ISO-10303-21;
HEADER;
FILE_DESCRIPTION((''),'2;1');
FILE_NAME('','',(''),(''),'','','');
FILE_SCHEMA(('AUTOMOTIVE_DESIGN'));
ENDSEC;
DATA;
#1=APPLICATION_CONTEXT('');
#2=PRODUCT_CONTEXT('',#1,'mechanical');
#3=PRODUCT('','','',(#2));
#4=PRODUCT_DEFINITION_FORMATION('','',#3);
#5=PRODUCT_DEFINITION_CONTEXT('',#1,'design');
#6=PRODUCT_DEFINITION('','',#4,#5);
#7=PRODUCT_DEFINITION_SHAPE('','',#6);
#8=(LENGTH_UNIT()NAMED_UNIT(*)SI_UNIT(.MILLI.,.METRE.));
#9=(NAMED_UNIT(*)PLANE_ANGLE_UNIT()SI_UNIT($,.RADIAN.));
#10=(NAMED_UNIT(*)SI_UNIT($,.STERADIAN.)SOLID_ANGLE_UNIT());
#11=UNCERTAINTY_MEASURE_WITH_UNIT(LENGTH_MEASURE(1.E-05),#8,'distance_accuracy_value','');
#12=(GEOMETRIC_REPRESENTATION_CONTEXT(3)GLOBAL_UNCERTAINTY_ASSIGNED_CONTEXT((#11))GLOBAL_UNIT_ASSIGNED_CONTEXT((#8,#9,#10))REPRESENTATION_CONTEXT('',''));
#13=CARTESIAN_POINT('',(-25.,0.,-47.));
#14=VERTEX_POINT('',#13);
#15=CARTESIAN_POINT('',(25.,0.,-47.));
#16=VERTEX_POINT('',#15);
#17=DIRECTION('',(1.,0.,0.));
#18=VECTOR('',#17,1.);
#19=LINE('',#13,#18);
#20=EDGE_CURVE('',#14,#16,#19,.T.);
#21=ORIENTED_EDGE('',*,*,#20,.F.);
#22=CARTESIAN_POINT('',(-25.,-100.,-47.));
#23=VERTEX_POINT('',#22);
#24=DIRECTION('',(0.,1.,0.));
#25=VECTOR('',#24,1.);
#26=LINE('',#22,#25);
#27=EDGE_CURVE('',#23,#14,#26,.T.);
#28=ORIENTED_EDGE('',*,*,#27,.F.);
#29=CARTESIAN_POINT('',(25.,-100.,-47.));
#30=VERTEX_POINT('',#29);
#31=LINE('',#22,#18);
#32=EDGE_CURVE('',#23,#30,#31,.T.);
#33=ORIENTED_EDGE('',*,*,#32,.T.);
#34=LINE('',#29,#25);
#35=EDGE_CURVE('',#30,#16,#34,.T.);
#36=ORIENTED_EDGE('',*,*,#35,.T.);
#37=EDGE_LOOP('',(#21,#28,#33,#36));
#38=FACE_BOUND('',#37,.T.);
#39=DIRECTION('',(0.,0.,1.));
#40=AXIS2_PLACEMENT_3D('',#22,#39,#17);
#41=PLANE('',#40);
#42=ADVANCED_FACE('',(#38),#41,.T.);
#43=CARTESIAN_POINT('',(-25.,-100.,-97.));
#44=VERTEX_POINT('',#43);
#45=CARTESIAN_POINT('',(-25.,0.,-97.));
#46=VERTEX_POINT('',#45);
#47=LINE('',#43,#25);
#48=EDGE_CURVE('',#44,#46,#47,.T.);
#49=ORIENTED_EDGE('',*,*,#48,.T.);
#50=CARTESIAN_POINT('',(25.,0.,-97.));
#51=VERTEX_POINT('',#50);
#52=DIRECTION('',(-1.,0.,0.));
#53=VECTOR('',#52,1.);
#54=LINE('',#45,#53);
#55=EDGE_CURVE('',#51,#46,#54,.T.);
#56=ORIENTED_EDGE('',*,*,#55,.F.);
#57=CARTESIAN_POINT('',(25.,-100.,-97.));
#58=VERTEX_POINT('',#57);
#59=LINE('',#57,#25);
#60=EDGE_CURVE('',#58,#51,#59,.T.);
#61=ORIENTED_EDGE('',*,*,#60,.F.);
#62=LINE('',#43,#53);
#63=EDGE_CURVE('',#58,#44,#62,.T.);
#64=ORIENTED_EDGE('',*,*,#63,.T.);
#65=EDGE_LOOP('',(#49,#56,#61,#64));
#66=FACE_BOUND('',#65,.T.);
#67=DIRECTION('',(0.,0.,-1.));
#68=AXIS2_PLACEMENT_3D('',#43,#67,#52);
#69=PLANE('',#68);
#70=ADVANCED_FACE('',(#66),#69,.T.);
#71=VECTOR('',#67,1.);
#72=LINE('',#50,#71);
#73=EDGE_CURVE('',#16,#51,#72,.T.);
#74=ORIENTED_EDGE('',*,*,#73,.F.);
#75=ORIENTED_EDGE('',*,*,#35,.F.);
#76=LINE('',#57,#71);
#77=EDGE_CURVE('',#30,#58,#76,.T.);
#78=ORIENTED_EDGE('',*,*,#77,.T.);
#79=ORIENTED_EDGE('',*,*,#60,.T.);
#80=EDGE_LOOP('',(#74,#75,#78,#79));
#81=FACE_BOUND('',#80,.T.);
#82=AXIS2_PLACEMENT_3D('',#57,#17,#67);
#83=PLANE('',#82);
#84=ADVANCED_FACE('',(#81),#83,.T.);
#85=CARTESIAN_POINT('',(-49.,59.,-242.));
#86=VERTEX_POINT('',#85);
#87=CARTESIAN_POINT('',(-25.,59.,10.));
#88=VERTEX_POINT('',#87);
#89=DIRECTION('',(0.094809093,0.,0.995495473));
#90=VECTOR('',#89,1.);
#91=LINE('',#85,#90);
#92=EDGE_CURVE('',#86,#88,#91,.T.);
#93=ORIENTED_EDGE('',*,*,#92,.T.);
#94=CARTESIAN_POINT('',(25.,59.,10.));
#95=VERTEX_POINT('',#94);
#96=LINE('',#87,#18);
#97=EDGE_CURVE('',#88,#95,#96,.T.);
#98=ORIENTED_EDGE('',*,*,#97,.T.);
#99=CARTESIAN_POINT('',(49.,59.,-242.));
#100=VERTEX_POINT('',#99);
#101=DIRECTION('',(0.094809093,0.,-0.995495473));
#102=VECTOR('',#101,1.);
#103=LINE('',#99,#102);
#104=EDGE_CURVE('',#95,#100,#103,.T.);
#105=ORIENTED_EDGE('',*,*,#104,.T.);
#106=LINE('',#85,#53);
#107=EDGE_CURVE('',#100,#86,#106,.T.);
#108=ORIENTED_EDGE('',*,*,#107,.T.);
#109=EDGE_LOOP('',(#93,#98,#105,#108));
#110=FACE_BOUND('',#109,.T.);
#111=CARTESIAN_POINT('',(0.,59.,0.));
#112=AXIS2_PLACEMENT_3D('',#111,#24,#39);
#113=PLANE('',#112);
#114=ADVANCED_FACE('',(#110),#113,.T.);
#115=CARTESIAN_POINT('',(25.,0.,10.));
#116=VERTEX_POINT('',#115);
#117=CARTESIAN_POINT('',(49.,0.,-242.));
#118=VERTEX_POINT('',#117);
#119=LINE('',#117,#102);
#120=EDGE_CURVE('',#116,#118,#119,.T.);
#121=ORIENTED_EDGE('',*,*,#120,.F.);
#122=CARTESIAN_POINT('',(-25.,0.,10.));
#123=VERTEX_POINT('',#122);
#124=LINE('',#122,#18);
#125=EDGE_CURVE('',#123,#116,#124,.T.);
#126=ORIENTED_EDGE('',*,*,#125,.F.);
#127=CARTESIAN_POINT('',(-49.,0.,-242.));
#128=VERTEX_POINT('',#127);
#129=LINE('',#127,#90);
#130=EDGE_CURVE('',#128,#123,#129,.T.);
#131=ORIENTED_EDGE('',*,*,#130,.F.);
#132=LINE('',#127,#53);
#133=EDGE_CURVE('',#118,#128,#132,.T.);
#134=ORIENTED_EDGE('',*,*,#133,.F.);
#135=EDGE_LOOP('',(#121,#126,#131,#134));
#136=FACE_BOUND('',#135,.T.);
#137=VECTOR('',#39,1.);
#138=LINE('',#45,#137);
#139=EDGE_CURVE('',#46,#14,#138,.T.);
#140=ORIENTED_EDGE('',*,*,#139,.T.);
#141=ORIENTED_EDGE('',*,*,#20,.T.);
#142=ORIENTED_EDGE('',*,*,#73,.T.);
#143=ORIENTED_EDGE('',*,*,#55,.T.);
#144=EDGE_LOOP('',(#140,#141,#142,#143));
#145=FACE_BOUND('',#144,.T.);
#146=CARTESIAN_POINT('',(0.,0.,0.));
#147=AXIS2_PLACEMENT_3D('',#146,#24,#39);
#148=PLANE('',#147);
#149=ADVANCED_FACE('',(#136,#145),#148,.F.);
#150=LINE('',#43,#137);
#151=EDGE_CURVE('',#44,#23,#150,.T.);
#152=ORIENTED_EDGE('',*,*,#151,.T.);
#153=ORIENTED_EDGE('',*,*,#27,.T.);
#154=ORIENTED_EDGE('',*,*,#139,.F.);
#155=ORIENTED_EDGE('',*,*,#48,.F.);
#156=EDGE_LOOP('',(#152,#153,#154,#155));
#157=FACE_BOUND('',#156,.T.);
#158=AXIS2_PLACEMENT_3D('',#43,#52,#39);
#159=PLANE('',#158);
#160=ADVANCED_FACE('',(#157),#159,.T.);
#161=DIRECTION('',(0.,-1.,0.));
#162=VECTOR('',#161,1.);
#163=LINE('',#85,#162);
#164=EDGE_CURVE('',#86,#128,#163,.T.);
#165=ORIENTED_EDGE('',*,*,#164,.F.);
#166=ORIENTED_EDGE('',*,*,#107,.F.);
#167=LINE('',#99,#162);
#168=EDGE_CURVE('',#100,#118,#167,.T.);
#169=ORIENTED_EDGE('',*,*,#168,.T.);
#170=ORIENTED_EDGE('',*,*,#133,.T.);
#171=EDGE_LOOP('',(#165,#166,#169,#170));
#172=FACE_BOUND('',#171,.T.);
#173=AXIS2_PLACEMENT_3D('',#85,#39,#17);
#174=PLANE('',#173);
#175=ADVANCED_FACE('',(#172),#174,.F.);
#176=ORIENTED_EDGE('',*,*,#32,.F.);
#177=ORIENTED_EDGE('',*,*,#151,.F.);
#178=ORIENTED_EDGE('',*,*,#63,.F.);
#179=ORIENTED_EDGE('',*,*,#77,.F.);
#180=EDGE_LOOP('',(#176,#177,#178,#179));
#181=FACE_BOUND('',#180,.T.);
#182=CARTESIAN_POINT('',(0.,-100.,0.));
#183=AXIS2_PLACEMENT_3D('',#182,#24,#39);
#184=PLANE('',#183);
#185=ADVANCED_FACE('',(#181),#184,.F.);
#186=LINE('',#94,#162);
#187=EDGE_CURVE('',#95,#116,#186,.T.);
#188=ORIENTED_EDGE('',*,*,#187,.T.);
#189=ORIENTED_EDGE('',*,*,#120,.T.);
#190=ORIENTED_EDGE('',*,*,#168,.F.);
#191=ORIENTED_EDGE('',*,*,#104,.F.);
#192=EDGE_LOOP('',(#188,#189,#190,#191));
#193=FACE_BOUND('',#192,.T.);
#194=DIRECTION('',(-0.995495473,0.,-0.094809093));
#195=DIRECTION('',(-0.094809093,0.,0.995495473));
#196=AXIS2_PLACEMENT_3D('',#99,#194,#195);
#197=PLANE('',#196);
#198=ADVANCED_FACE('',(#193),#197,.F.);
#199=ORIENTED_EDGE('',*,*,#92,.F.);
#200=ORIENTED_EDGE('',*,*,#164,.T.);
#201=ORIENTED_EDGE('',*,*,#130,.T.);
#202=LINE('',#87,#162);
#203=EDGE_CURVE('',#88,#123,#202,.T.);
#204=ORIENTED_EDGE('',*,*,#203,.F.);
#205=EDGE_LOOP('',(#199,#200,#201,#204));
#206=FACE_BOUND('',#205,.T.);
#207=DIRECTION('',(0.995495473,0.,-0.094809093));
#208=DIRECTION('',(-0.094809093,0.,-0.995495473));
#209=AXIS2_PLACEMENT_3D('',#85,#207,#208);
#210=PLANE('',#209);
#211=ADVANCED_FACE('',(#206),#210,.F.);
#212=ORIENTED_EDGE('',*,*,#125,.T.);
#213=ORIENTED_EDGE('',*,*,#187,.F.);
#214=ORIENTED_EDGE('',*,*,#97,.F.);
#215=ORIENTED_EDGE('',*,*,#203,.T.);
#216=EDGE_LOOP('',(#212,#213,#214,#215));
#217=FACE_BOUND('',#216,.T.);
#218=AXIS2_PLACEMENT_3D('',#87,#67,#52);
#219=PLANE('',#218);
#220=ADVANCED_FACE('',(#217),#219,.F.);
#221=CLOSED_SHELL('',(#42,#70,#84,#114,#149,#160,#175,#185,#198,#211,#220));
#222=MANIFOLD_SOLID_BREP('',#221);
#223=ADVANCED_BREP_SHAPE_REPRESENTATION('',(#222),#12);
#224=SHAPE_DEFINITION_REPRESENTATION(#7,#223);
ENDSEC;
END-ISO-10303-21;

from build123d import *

# Parameters (mm, degrees)
BOSS_EXTRUDE1_DEPTH = 59
SKETCH3_W           = 50
SKETCH3_H           = 50
BOSS_EXTRUDE2_DEPTH = 100


with BuildPart() as part:
    # Sketch1 → Boss-Extrude1 (new body)
    with BuildSketch(Plane(origin=(0, 0, 0), x_dir=(1, 0, 0), z_dir=(0, 1, 0))):
        Polygon((-25, -10), (25, -10), (49, 242), (-49, 242), align=None)
    extrude(amount=BOSS_EXTRUDE1_DEPTH)

    # Sketch3 → Boss-Extrude2 (add)
    with BuildSketch(Plane(origin=(0, 0, 0), x_dir=(1, 0, 0), z_dir=(0, 1, 0))):
        with Locations((0, 72)):
            Rectangle(SKETCH3_W, SKETCH3_H)
    extrude(amount=-BOSS_EXTRUDE2_DEPTH)


solid = part.part
